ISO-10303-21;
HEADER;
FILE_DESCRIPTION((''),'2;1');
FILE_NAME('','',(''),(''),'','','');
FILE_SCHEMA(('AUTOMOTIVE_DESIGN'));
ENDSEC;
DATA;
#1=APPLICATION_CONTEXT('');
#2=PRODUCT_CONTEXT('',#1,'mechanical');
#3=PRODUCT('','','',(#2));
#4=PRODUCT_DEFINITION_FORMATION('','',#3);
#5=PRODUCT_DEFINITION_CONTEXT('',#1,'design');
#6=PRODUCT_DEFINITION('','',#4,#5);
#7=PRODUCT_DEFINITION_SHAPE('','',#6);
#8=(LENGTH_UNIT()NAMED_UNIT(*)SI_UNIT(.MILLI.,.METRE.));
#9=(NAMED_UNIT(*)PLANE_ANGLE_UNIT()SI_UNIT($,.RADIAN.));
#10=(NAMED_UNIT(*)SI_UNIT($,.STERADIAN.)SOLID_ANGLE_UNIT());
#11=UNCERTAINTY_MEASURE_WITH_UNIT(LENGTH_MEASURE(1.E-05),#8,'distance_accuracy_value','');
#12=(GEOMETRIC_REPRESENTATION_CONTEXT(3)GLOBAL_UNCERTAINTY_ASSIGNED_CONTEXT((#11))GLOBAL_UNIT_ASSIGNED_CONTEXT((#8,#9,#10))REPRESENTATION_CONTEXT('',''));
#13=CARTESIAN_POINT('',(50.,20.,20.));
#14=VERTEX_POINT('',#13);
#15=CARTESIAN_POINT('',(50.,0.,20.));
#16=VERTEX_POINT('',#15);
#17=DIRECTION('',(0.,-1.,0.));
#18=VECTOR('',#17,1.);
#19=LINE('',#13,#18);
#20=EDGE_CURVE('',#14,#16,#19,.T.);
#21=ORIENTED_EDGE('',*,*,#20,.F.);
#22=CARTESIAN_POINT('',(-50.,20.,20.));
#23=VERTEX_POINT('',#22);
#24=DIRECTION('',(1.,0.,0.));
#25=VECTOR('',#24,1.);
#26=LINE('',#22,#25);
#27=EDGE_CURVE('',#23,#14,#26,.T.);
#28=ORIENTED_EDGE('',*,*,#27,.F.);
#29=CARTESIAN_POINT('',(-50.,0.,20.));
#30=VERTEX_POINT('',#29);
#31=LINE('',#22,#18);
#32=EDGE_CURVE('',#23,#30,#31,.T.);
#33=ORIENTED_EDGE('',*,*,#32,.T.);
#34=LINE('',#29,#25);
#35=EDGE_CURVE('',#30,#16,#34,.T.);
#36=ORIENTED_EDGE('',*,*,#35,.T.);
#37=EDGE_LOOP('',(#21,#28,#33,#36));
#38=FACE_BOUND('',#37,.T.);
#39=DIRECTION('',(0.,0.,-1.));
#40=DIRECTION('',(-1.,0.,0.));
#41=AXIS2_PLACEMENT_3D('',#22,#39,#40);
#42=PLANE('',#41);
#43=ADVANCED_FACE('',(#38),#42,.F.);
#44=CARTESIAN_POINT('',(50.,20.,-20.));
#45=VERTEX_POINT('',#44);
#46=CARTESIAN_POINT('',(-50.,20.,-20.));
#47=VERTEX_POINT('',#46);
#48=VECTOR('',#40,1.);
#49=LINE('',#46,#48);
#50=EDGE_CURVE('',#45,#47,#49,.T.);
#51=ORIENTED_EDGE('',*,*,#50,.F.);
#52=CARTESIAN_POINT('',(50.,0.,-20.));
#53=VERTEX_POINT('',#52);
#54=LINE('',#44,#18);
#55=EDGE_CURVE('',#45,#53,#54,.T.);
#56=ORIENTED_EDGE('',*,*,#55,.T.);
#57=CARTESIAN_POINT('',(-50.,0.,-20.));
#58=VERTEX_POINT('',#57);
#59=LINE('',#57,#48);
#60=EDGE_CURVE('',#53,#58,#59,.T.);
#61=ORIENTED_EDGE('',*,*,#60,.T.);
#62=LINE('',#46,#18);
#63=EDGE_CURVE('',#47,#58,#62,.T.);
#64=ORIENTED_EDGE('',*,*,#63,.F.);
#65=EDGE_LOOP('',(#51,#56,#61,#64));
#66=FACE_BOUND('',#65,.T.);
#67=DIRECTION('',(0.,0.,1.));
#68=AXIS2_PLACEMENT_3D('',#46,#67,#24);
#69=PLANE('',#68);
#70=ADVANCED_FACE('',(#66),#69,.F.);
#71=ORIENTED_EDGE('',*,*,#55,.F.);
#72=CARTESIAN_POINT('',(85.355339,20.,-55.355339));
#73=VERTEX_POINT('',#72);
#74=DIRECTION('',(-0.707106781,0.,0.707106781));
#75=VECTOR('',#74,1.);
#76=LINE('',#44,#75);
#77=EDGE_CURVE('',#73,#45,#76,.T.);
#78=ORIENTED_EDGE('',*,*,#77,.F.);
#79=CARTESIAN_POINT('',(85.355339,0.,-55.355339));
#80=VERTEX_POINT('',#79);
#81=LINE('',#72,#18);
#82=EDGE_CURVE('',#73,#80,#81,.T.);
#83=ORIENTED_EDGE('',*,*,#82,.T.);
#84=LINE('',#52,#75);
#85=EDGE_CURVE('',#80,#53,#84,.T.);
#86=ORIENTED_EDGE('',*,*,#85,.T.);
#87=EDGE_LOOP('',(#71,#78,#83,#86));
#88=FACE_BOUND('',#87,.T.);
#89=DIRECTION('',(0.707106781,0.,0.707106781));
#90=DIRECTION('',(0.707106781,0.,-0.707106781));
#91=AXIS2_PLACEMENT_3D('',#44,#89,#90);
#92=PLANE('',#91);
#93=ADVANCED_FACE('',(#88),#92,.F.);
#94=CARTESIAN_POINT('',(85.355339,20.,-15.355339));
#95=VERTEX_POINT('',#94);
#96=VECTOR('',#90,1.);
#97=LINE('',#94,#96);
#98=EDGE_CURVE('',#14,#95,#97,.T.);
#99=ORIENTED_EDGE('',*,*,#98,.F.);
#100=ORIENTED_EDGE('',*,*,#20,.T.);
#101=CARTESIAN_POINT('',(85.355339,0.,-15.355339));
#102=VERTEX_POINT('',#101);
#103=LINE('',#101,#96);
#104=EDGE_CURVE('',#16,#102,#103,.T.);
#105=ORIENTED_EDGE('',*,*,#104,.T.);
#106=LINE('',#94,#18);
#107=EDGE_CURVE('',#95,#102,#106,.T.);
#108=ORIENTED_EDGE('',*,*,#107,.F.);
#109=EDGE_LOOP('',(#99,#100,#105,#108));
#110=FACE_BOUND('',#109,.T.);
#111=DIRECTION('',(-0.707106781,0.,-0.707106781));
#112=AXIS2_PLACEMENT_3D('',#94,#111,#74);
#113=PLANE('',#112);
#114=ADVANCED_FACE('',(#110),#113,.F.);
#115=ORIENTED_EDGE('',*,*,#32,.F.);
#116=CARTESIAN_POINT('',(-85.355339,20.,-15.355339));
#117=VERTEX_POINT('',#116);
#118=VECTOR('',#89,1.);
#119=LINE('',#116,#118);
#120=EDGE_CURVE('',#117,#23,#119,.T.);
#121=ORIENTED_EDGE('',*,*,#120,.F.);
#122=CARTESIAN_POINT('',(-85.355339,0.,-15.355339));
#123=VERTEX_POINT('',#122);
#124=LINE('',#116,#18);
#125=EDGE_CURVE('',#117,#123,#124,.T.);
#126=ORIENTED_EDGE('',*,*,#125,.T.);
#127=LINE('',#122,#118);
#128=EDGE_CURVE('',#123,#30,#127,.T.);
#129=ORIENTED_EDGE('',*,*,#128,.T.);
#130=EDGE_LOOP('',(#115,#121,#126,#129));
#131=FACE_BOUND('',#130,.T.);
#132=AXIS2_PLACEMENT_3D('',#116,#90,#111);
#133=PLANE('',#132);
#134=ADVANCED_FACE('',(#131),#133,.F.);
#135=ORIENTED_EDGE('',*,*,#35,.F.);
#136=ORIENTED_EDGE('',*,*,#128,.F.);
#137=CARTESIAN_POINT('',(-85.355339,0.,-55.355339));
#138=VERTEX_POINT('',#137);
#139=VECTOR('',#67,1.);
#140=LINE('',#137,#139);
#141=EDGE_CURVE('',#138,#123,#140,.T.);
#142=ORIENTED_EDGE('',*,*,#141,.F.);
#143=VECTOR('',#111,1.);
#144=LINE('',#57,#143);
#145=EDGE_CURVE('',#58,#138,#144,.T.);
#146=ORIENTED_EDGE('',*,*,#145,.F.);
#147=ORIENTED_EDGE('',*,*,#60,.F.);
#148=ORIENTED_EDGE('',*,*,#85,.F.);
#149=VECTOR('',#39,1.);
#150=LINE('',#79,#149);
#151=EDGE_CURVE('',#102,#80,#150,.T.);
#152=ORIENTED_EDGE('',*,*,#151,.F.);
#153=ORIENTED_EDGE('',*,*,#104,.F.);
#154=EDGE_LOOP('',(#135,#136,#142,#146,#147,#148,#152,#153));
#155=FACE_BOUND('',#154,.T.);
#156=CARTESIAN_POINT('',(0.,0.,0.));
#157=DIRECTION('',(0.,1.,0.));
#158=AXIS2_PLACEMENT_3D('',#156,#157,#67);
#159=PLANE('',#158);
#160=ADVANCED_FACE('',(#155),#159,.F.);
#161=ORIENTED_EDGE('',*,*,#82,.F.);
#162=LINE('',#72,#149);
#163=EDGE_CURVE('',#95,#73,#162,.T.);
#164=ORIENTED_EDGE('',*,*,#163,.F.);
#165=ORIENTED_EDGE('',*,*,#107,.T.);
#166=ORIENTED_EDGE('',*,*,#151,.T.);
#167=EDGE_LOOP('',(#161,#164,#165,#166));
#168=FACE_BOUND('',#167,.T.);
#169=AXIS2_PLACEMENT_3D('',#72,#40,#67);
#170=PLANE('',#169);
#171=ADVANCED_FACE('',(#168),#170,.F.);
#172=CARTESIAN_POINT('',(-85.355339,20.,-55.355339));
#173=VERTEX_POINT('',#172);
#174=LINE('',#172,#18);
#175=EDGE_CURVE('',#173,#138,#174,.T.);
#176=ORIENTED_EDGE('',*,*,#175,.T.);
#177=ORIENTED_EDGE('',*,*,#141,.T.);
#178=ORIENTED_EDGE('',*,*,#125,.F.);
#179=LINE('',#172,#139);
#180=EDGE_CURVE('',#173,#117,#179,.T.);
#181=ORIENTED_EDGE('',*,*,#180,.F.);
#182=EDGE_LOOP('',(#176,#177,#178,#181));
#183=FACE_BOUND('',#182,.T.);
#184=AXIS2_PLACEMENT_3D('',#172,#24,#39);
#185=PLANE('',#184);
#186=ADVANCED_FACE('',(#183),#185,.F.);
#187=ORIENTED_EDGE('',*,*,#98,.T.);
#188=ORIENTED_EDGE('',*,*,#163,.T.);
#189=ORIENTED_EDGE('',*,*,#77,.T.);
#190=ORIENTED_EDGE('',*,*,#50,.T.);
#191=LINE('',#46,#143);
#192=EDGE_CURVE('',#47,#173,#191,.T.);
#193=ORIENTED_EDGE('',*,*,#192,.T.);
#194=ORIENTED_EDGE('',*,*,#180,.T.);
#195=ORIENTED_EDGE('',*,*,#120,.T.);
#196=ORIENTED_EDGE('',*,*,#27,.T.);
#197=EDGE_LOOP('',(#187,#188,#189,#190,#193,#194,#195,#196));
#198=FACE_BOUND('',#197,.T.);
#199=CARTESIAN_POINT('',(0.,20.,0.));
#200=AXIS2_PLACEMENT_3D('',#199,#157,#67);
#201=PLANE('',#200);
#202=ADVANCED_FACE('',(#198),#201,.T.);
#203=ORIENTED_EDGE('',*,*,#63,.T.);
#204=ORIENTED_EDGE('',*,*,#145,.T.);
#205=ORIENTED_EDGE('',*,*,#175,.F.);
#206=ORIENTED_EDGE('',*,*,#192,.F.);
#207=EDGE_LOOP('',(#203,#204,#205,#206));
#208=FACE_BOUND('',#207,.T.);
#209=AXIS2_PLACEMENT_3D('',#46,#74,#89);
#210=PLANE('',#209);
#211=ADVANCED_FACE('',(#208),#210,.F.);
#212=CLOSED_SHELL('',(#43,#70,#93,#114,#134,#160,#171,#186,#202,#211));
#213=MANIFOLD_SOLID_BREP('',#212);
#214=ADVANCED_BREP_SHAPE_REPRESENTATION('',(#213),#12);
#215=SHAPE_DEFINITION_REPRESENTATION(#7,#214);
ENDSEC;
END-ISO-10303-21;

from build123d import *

# Parameters (mm, degrees)
BOSS_EXTRUDE2_DEPTH = 20


with BuildPart() as part:
    # Sketch2 → Boss-Extrude2 (new body)
    with BuildSketch(Plane(origin=(0, 0, 0), x_dir=(1, 0, 0), z_dir=(0, 1, 0))):
        Polygon((50, 20), (85.355339059, 55.355339059), (85.355339059, 15.355339059), (50, -20), (-50, -20), (-85.355339059, 15.355339059), (-85.355339059, 55.355339059), (-50, 20), align=None)
    extrude(amount=BOSS_EXTRUDE2_DEPTH)


solid = part.part
